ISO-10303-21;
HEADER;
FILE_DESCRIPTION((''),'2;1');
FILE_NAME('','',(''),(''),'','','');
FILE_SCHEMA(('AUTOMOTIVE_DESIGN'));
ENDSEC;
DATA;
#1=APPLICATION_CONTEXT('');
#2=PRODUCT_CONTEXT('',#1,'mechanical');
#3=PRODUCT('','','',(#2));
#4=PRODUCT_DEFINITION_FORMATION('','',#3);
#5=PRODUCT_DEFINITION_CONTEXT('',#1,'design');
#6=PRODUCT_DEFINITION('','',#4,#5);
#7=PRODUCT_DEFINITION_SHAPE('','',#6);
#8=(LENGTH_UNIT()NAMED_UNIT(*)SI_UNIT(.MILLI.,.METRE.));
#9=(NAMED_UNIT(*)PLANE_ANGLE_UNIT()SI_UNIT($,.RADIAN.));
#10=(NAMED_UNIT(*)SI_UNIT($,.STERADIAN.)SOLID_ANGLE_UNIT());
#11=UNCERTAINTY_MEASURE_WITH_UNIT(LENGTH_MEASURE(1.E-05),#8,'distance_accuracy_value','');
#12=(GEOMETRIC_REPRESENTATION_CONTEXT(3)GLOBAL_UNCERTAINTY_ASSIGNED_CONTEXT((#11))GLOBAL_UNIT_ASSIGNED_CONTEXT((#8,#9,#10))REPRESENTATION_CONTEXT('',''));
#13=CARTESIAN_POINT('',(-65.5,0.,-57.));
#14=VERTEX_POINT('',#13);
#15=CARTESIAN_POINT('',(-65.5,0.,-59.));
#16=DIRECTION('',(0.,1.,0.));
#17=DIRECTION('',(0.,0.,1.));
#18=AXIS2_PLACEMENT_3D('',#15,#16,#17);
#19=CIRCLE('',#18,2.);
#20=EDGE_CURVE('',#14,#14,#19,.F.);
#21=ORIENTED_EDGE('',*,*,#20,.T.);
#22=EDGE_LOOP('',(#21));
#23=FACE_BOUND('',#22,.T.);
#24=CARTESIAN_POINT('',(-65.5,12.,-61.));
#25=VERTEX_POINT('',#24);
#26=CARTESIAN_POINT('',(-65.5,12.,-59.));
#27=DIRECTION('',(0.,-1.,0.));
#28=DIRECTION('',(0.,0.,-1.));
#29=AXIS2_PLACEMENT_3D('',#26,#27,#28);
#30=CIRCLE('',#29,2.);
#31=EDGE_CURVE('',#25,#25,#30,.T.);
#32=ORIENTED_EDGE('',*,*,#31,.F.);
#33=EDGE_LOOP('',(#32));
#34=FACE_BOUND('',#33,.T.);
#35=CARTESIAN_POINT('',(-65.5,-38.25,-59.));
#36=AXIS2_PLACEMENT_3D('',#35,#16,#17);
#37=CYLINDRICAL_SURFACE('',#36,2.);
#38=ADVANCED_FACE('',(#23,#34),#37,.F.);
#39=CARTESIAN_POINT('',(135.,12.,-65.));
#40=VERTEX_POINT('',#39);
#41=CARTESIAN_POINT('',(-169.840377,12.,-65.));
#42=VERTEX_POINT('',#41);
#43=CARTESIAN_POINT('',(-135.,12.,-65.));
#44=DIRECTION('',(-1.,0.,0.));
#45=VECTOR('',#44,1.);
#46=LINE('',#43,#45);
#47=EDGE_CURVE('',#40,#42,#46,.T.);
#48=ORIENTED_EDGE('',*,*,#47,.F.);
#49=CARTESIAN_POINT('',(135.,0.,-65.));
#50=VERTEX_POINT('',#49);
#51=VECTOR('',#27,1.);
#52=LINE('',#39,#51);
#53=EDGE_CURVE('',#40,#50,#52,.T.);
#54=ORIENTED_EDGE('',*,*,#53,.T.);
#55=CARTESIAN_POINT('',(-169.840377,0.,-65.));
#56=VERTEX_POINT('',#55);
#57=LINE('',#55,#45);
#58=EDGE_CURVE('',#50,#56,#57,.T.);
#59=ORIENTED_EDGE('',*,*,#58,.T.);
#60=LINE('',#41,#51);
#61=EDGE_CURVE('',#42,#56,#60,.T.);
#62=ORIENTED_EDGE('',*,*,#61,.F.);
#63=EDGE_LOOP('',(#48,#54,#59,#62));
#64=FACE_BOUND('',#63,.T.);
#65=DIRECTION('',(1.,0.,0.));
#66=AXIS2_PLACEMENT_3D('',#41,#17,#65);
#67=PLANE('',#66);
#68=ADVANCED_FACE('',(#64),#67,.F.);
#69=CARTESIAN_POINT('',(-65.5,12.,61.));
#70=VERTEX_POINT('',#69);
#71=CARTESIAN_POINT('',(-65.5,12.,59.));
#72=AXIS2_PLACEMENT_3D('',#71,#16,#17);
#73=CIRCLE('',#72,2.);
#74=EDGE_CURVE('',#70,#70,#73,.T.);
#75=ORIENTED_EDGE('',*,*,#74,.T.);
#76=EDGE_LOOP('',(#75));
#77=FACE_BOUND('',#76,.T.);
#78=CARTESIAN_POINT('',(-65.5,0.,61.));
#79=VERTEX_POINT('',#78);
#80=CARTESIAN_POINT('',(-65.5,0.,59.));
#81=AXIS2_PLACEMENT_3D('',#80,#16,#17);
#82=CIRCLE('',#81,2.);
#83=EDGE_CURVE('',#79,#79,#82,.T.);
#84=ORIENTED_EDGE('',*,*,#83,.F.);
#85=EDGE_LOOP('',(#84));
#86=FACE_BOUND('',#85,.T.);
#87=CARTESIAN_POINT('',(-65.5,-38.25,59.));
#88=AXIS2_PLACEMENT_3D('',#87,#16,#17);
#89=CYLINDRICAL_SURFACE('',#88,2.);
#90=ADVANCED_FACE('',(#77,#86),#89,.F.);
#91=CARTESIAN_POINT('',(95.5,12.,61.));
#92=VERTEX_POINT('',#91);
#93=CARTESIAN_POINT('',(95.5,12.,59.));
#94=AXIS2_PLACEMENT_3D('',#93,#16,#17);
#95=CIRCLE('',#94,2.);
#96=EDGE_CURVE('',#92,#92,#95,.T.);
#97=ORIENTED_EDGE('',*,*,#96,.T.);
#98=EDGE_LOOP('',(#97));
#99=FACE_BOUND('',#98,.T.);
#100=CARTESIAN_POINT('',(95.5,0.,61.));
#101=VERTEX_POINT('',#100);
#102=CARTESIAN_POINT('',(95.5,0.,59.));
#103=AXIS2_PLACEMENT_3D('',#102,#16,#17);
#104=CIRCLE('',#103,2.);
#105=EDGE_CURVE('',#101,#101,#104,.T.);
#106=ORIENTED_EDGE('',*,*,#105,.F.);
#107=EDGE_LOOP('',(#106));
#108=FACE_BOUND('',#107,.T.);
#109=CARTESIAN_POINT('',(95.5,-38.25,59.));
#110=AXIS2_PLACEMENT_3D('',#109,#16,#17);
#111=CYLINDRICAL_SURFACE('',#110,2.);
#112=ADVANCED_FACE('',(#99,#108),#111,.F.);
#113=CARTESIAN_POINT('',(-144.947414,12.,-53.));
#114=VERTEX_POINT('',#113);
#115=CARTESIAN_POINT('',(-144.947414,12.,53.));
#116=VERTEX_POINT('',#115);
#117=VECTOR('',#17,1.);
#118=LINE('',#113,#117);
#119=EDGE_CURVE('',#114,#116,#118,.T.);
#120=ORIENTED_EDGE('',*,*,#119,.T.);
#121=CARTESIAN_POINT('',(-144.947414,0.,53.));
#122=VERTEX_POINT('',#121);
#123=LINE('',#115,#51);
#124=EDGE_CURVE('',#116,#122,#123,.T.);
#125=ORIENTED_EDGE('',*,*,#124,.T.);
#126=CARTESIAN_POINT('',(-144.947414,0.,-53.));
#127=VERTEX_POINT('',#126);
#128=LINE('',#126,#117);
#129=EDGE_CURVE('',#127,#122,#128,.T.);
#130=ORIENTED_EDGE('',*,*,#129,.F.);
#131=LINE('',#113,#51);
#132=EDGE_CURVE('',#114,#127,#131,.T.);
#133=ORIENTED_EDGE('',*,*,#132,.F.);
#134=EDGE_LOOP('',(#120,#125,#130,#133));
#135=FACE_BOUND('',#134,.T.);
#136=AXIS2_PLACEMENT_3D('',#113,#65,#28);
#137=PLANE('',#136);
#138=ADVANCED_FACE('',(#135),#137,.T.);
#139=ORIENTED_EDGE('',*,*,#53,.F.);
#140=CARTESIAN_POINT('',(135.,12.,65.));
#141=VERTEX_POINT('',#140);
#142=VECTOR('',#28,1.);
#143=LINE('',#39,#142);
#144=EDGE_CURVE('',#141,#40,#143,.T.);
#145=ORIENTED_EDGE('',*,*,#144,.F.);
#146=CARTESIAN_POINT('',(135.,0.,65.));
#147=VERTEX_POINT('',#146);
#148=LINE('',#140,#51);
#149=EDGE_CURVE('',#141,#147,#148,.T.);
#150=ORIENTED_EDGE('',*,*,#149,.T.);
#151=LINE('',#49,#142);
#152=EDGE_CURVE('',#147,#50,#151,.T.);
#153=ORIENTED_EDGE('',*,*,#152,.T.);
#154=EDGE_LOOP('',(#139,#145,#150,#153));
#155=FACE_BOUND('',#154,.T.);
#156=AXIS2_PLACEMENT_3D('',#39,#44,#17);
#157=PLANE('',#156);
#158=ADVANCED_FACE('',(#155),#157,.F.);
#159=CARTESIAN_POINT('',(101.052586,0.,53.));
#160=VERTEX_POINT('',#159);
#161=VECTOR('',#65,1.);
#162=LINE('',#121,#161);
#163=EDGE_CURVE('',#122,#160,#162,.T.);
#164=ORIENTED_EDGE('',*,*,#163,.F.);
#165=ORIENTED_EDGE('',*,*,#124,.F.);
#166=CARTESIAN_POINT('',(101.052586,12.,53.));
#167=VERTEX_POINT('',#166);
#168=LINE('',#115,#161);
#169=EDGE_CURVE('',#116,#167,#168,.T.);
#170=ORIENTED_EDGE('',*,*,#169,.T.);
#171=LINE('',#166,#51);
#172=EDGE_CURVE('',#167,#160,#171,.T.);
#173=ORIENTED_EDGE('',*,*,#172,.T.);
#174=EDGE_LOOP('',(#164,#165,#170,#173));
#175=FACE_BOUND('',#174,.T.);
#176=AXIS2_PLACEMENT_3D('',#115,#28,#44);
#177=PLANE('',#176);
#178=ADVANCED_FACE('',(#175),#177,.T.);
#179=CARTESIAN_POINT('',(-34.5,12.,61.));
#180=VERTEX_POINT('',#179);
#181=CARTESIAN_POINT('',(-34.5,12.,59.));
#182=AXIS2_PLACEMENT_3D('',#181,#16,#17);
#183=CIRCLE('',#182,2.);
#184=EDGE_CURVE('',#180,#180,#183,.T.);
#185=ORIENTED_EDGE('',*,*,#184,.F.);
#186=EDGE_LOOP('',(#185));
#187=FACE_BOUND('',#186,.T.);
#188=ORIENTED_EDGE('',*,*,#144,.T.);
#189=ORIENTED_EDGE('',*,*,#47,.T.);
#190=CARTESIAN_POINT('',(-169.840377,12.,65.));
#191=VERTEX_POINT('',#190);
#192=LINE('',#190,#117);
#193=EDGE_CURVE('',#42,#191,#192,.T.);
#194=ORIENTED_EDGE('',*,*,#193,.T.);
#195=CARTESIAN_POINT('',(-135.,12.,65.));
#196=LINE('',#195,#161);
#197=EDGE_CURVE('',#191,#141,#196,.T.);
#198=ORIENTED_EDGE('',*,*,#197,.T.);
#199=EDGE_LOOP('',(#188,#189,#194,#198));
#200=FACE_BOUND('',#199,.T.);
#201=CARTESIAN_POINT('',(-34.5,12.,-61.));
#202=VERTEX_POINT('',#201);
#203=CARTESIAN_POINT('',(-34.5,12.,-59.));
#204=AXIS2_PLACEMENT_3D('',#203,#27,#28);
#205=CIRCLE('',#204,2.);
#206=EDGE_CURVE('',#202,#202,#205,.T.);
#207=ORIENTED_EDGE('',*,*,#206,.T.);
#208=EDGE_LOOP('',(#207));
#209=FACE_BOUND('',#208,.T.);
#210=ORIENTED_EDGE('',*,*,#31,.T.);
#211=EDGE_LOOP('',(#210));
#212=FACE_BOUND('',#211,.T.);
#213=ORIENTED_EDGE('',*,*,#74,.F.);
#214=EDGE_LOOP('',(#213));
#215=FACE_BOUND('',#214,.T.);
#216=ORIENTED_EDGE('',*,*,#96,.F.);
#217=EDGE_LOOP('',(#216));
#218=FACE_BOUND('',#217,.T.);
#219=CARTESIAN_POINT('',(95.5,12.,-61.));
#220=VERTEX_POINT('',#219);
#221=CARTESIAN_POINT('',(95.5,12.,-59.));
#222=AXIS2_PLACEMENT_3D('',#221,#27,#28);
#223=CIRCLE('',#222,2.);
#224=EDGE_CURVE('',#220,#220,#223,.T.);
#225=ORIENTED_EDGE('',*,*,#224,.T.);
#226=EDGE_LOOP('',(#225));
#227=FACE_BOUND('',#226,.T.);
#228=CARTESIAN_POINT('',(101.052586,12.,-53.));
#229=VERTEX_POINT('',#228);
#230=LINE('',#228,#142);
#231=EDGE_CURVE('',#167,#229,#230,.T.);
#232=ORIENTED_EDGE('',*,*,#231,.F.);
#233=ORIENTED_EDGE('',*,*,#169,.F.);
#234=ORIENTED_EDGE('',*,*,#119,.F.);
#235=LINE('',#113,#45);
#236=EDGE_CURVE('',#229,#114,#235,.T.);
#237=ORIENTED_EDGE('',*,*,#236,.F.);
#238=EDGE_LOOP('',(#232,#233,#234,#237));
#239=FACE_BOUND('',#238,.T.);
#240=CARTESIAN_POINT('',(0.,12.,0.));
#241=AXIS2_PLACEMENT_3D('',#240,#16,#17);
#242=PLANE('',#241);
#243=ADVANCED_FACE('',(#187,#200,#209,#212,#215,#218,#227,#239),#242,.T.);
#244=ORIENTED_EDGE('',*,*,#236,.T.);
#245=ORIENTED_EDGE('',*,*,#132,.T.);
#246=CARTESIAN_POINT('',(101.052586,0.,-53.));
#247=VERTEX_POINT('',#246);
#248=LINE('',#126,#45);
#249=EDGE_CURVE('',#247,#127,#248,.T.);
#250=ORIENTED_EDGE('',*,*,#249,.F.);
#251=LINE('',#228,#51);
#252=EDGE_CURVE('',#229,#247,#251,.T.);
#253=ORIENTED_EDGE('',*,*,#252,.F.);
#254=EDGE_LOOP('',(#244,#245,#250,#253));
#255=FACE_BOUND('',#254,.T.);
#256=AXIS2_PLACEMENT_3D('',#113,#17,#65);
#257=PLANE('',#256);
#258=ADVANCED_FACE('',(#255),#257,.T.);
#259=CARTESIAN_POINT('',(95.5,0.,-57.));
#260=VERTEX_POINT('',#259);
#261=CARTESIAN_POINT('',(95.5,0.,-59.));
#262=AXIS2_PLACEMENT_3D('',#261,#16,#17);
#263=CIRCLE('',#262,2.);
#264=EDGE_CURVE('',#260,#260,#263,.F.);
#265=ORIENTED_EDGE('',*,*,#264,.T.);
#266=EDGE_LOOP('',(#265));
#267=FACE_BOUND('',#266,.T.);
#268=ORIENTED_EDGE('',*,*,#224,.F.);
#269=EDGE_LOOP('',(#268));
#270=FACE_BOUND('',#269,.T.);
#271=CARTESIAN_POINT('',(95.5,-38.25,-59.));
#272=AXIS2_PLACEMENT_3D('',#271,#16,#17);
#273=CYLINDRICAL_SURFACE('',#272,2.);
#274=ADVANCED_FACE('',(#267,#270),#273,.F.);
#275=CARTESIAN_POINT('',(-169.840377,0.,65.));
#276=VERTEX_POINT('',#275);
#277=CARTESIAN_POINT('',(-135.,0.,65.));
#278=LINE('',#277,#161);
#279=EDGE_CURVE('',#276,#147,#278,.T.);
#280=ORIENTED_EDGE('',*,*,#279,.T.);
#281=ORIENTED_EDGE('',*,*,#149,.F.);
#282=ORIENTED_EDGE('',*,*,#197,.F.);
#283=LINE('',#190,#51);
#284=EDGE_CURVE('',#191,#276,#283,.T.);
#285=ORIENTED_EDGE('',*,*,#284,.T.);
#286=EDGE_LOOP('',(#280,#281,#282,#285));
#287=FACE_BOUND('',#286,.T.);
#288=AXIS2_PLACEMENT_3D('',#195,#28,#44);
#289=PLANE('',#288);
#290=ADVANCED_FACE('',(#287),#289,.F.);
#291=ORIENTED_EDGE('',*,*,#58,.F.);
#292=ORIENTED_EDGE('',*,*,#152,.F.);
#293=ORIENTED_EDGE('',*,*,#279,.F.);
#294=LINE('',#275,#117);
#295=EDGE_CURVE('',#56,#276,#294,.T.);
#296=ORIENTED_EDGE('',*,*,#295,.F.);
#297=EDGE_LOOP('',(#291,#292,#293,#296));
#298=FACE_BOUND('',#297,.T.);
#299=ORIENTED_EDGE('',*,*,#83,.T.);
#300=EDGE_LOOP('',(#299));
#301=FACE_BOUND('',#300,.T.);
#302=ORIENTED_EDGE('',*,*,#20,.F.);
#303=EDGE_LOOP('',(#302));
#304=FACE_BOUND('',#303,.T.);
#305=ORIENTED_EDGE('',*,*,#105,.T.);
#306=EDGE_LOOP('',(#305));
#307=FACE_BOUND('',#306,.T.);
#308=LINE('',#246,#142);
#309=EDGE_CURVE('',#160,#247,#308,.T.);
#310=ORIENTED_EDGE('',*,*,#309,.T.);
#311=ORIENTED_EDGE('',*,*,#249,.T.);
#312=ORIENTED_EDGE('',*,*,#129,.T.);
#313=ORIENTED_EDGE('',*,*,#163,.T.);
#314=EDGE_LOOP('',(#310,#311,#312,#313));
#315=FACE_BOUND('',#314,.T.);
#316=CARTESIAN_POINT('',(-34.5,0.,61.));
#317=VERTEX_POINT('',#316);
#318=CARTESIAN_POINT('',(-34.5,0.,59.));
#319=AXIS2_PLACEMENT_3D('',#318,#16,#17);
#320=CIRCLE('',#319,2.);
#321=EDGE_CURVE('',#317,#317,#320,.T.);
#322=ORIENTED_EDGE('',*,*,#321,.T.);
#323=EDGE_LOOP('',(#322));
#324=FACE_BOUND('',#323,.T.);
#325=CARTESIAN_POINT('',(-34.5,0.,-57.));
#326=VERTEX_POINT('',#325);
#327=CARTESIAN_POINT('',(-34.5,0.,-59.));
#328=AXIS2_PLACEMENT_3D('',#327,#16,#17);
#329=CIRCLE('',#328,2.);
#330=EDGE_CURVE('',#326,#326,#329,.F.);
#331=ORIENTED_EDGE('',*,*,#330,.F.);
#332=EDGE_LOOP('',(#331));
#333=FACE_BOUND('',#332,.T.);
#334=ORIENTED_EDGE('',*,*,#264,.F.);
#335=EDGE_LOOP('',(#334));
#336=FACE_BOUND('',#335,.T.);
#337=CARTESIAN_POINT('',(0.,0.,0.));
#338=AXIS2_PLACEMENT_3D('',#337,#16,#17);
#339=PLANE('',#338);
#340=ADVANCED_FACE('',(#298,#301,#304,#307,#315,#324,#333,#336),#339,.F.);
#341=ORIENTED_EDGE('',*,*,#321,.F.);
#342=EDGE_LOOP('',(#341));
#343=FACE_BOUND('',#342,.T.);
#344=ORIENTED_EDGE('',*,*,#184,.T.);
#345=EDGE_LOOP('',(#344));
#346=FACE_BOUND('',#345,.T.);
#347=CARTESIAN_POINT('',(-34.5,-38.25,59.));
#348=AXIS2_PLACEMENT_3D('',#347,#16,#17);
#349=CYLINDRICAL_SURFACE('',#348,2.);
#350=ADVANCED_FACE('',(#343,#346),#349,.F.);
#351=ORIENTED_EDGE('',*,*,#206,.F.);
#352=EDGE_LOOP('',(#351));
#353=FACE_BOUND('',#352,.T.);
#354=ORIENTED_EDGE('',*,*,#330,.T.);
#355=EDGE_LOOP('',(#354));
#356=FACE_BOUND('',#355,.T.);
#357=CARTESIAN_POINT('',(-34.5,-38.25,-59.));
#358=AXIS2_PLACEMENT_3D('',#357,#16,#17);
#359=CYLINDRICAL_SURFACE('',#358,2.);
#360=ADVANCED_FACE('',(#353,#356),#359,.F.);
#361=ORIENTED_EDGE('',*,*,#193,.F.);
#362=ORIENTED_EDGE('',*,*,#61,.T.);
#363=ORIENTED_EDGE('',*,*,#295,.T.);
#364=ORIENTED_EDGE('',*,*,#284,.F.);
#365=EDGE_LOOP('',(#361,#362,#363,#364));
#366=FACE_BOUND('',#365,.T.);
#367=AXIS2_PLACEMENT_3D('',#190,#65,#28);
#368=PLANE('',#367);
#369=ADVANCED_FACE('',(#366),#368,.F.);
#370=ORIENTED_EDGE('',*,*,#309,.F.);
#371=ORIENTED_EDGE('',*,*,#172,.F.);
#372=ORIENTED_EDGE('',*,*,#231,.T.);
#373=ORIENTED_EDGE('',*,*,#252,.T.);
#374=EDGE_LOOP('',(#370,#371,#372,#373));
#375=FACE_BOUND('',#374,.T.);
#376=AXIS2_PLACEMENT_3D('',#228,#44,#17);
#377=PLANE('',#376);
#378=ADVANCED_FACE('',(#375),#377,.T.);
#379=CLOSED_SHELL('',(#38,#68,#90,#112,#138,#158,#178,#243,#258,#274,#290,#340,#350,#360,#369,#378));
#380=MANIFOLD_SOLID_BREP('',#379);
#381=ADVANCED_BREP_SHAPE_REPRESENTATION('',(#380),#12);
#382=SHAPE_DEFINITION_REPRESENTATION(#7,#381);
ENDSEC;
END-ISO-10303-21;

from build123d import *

# Parameters (mm, degrees)
SKETCH1_W                 = 246
SKETCH1_H                 = 106
BOSS_EXTRUDE1_DEPTH       = 12
SKETCH3_R                 = 2
CUT_EXTRUDE1_DEPTH        = 50.25
LPATTERN1_COUNT           = 2
LPATTERN1_PITCH           = 31
LPATTERN1_COPY_1_SKETCH_R = 2
LPATTERN1_COPY_1_DEPTH    = 50.25
LPATTERN2_COUNT           = 2
LPATTERN2_PITCH           = 161
MIRROR2_COPY_1_SKETCH_R   = 2
MIRROR2_COPY_1_DEPTH      = 50.25
MIRROR2_COPY_2_SKETCH_R   = 2
MIRROR2_COPY_2_DEPTH      = 50.25


with BuildPart() as part:
    # Sketch1 → Boss-Extrude1 (new body)
    with BuildSketch(Plane(origin=(0, 0, 0), x_dir=(1, 0, 0), z_dir=(0, 1, 0))):
        Polygon((-135, 65), (135, 65), (135, -65), (-135, -65), (-169.840376894, -65), (-169.840376894, 65), align=None)
        with Locations((-21.947414212, 0)):
            Rectangle(SKETCH1_W, SKETCH1_H, mode=Mode.SUBTRACT)
    extrude(amount=BOSS_EXTRUDE1_DEPTH)

    # Sketch3 → Cut-Extrude1 (cut)
    with BuildSketch(Plane(origin=(0, 12, 0), x_dir=(1, 0, 0), z_dir=(0, 1, 0))):
        with Locations(Location((-65.5, -59, 0), (0, 0, 270))):
            Circle(SKETCH3_R)
    cut_extrude1 = extrude(amount=-CUT_EXTRUDE1_DEPTH, mode=Mode.SUBTRACT)

    # Mirror1: Cut-Extrude1 across plane
    add(cut_extrude1.mirror(Plane.XY), mode=Mode.SUBTRACT)

    # LPattern1: Cut-Extrude1 ×2
    with Locations(*[(i * LPATTERN1_PITCH, 0, 0) for i in range(1, LPATTERN1_COUNT)]):
        add(cut_extrude1, mode=Mode.SUBTRACT)

    # LPattern1 copy 1 sketch → LPattern1 copy 1 (cut)
    with BuildSketch(Plane(origin=(31, 12, 0), x_dir=(1, 0, 0), z_dir=(0, 1, 0))):
        with Locations((-65.5, 59)):
            Circle(LPATTERN1_COPY_1_SKETCH_R)
    extrude(amount=-LPATTERN1_COPY_1_DEPTH, mode=Mode.SUBTRACT)

    # LPattern2: Cut-Extrude1 ×2
    with Locations(*[(i * LPATTERN2_PITCH, 0, 0) for i in range(1, LPATTERN2_COUNT)]):
        add(cut_extrude1, mode=Mode.SUBTRACT)

    # Mirror2 copy 1 sketch → Mirror2 copy 1 (cut)
    with BuildSketch(Plane(origin=(161, 12, 0), x_dir=(1, 0, 0), z_dir=(0, 1, 0))):
        with Locations((-65.5, 59)):
            Circle(MIRROR2_COPY_1_SKETCH_R)
    extrude(amount=-MIRROR2_COPY_1_DEPTH, mode=Mode.SUBTRACT)

    # Mirror2 copy 2 sketch → Mirror2 copy 2 (cut)
    with BuildSketch(Plane(origin=(0, 12, 0), x_dir=(1, 0, 0), z_dir=(0, 1, 0))):
        with Locations((-65.5, 59)):
            Circle(MIRROR2_COPY_2_SKETCH_R)
    extrude(amount=-MIRROR2_COPY_2_DEPTH, mode=Mode.SUBTRACT)


solid = part.part
